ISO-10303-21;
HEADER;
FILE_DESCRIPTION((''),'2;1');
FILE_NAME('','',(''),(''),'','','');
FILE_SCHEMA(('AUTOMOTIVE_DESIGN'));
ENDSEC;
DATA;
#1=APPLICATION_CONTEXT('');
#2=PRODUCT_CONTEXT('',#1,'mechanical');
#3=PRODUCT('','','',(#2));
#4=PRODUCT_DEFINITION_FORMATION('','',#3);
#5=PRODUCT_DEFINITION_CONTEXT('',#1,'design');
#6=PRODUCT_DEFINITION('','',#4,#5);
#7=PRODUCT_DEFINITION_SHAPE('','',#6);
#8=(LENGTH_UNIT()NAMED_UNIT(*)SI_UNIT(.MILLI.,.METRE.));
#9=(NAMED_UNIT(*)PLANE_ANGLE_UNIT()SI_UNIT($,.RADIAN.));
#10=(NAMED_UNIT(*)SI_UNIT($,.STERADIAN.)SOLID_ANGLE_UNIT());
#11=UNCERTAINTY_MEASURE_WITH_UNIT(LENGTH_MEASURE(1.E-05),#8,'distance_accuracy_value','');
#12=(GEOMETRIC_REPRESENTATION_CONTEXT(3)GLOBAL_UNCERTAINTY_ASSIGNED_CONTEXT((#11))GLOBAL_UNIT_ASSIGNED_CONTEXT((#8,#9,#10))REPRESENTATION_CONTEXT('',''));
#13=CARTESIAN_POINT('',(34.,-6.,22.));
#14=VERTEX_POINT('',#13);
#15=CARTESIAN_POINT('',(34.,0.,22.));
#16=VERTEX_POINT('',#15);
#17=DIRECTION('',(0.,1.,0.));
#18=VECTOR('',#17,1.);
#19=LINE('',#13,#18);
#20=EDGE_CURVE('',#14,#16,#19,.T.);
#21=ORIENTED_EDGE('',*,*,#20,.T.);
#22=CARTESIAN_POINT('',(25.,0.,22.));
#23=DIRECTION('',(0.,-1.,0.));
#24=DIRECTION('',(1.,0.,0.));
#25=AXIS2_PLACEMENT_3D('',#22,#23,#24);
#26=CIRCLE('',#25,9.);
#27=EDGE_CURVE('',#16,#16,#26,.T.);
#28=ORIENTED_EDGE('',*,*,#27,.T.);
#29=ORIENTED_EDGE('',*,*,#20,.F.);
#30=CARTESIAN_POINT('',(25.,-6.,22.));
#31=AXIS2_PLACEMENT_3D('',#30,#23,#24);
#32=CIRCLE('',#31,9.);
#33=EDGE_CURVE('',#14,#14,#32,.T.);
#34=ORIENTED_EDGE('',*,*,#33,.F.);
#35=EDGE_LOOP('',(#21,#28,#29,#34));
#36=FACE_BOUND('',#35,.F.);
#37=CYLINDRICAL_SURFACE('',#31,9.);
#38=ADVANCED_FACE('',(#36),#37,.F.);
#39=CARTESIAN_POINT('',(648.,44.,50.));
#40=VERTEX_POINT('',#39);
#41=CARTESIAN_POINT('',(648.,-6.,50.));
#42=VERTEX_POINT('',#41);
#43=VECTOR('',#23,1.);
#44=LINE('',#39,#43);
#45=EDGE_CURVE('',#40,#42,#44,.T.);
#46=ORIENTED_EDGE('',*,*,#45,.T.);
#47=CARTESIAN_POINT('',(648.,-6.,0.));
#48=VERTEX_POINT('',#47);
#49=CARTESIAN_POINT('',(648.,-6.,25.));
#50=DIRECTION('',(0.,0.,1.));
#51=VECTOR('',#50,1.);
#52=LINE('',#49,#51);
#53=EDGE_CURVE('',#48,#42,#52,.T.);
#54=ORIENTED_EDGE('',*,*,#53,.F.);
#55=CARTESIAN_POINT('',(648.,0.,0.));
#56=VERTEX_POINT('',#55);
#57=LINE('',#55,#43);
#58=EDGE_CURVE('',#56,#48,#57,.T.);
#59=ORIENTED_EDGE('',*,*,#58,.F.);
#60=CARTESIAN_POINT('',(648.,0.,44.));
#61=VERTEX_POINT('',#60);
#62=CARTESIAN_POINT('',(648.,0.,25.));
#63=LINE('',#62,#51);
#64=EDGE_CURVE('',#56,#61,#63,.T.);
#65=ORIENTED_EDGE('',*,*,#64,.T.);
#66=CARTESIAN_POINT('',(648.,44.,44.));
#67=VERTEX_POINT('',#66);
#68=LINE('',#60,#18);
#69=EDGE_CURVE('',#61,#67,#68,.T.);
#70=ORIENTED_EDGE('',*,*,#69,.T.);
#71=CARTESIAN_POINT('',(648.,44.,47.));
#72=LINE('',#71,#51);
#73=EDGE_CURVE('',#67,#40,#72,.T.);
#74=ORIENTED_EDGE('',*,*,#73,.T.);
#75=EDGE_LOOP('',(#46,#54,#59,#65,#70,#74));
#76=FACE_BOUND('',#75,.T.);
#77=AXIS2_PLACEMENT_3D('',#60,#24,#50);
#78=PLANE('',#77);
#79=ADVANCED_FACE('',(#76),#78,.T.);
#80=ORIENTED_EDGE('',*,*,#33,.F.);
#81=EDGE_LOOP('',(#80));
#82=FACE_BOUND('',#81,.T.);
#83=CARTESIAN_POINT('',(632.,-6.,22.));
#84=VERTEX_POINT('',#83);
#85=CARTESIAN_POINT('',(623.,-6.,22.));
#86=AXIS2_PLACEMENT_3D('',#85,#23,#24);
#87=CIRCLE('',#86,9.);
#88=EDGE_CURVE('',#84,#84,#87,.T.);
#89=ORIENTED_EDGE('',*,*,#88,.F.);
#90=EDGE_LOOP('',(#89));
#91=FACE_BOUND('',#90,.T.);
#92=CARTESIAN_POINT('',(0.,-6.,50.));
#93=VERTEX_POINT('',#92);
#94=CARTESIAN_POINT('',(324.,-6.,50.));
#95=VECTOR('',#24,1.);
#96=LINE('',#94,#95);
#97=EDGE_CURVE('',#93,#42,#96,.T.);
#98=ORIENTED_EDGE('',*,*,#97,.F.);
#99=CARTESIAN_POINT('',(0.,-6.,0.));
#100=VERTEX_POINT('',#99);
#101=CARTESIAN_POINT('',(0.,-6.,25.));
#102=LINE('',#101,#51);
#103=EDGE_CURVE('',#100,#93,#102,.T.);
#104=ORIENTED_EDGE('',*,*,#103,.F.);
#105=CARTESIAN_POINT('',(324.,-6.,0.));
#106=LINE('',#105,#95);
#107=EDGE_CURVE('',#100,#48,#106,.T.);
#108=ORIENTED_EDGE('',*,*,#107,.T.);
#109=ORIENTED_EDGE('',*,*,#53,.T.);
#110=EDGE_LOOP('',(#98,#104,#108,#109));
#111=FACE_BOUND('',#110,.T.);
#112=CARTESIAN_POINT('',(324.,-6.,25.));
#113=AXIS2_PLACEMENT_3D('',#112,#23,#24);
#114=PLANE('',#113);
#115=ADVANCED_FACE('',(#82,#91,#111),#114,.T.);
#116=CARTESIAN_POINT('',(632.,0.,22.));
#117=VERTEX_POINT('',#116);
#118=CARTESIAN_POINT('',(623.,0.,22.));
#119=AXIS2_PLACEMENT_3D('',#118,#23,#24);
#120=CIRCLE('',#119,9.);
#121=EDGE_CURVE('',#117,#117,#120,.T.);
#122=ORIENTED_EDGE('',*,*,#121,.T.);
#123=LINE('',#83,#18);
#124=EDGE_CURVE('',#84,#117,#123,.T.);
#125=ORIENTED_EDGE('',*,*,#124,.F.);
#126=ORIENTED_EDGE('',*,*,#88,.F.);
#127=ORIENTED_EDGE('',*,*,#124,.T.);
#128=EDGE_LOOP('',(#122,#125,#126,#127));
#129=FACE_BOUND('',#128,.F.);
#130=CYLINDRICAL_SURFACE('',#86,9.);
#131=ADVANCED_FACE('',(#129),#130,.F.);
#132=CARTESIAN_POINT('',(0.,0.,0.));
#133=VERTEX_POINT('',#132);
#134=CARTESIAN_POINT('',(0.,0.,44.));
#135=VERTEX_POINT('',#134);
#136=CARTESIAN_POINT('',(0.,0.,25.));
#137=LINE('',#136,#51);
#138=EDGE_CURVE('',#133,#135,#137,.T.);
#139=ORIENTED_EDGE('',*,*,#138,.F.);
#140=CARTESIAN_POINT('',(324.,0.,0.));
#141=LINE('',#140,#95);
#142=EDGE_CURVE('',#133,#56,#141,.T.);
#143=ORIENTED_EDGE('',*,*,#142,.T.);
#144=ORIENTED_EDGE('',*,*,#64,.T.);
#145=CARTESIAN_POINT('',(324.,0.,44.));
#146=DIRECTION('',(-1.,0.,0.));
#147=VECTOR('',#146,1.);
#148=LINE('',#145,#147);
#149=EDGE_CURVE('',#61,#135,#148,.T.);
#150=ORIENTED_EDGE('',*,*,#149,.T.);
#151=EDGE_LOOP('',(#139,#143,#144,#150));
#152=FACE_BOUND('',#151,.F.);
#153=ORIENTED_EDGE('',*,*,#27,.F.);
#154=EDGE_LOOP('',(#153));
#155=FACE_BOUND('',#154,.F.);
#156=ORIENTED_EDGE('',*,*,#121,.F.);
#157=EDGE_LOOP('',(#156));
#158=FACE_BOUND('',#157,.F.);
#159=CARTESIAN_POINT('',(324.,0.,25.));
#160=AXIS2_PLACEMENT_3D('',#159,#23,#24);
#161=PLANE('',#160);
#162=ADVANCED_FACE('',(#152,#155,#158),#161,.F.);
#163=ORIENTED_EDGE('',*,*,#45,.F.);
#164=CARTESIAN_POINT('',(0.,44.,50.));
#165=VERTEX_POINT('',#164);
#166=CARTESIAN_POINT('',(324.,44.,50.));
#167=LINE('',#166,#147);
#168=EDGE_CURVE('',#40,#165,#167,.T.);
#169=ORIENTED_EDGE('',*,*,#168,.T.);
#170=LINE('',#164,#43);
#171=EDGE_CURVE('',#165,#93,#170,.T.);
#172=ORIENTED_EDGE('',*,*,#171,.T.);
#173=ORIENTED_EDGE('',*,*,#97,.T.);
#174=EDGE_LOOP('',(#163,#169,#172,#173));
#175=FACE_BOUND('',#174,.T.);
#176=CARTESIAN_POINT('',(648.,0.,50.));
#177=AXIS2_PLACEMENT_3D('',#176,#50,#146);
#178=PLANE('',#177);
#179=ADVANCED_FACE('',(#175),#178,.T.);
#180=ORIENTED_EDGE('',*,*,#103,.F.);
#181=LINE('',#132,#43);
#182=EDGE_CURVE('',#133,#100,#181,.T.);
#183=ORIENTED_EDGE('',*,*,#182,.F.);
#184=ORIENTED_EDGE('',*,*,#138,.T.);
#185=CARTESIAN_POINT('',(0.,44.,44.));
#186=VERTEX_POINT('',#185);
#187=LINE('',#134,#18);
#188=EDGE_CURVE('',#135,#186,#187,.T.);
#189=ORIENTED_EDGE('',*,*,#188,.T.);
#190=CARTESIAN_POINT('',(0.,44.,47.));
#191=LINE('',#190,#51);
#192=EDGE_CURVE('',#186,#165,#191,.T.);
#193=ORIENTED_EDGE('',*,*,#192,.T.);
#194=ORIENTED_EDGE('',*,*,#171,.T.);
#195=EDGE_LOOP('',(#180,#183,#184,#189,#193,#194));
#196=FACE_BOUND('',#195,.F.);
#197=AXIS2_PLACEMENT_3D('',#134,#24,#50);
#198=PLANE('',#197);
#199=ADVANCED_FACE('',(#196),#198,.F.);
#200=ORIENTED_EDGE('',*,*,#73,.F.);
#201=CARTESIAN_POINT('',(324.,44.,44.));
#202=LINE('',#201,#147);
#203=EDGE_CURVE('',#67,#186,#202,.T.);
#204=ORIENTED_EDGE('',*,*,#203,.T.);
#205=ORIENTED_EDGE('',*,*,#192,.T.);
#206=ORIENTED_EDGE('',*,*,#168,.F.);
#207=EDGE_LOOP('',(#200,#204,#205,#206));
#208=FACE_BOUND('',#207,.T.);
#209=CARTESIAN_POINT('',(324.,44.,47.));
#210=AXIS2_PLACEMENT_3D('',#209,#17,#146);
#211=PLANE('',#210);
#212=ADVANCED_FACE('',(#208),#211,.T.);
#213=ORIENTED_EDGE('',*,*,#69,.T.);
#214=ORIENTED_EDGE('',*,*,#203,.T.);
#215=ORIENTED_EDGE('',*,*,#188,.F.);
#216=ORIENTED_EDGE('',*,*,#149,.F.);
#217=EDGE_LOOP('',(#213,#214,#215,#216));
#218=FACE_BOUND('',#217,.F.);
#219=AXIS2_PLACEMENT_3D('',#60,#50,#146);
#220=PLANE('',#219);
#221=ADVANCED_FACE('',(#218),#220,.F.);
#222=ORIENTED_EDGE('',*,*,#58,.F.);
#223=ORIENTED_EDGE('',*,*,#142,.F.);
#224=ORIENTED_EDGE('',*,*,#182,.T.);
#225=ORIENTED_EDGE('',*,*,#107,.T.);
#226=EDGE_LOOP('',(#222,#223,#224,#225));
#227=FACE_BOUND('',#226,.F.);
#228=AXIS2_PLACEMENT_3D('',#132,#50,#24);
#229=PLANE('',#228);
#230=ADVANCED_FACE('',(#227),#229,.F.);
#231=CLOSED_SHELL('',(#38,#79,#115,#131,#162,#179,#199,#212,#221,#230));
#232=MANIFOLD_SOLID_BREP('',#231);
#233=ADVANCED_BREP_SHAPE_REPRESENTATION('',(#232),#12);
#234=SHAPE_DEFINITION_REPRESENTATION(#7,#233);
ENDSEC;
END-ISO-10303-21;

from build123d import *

# Parameters (mm, degrees)
F0_W     = 648
F0_H     = 50
F1_DEPTH = 6
F2_W     = 648
F2_H     = 6
F3_DEPTH = 44
F4_R     = 9
F5_DEPTH = 50.001


with BuildPart() as f1:
    # F0 (on Front) → F1 (new body)
    with BuildSketch(Plane.XZ):
        with Locations((324, 25)):
            Rectangle(F0_W, F0_H)
    extrude(amount=F1_DEPTH)

    # F2 (on face) → F3 (join)
    with BuildSketch(Plane(origin=(0, 0, 0), x_dir=(-1, 0, 0), z_dir=(0, 1, 0))):
        with Locations((-324, 47)):
            Rectangle(F2_W, F2_H)
    extrude(amount=F3_DEPTH)

    # F4 (on face) → F5 (cut, through all)
    with BuildSketch(Plane.XZ.offset(6)):
        with Locations((25, 22)):
            Circle(F4_R)
        with Locations((623, 22)):
            Circle(F4_R)
    extrude(amount=-F5_DEPTH, mode=Mode.SUBTRACT)


solid = f1.part
